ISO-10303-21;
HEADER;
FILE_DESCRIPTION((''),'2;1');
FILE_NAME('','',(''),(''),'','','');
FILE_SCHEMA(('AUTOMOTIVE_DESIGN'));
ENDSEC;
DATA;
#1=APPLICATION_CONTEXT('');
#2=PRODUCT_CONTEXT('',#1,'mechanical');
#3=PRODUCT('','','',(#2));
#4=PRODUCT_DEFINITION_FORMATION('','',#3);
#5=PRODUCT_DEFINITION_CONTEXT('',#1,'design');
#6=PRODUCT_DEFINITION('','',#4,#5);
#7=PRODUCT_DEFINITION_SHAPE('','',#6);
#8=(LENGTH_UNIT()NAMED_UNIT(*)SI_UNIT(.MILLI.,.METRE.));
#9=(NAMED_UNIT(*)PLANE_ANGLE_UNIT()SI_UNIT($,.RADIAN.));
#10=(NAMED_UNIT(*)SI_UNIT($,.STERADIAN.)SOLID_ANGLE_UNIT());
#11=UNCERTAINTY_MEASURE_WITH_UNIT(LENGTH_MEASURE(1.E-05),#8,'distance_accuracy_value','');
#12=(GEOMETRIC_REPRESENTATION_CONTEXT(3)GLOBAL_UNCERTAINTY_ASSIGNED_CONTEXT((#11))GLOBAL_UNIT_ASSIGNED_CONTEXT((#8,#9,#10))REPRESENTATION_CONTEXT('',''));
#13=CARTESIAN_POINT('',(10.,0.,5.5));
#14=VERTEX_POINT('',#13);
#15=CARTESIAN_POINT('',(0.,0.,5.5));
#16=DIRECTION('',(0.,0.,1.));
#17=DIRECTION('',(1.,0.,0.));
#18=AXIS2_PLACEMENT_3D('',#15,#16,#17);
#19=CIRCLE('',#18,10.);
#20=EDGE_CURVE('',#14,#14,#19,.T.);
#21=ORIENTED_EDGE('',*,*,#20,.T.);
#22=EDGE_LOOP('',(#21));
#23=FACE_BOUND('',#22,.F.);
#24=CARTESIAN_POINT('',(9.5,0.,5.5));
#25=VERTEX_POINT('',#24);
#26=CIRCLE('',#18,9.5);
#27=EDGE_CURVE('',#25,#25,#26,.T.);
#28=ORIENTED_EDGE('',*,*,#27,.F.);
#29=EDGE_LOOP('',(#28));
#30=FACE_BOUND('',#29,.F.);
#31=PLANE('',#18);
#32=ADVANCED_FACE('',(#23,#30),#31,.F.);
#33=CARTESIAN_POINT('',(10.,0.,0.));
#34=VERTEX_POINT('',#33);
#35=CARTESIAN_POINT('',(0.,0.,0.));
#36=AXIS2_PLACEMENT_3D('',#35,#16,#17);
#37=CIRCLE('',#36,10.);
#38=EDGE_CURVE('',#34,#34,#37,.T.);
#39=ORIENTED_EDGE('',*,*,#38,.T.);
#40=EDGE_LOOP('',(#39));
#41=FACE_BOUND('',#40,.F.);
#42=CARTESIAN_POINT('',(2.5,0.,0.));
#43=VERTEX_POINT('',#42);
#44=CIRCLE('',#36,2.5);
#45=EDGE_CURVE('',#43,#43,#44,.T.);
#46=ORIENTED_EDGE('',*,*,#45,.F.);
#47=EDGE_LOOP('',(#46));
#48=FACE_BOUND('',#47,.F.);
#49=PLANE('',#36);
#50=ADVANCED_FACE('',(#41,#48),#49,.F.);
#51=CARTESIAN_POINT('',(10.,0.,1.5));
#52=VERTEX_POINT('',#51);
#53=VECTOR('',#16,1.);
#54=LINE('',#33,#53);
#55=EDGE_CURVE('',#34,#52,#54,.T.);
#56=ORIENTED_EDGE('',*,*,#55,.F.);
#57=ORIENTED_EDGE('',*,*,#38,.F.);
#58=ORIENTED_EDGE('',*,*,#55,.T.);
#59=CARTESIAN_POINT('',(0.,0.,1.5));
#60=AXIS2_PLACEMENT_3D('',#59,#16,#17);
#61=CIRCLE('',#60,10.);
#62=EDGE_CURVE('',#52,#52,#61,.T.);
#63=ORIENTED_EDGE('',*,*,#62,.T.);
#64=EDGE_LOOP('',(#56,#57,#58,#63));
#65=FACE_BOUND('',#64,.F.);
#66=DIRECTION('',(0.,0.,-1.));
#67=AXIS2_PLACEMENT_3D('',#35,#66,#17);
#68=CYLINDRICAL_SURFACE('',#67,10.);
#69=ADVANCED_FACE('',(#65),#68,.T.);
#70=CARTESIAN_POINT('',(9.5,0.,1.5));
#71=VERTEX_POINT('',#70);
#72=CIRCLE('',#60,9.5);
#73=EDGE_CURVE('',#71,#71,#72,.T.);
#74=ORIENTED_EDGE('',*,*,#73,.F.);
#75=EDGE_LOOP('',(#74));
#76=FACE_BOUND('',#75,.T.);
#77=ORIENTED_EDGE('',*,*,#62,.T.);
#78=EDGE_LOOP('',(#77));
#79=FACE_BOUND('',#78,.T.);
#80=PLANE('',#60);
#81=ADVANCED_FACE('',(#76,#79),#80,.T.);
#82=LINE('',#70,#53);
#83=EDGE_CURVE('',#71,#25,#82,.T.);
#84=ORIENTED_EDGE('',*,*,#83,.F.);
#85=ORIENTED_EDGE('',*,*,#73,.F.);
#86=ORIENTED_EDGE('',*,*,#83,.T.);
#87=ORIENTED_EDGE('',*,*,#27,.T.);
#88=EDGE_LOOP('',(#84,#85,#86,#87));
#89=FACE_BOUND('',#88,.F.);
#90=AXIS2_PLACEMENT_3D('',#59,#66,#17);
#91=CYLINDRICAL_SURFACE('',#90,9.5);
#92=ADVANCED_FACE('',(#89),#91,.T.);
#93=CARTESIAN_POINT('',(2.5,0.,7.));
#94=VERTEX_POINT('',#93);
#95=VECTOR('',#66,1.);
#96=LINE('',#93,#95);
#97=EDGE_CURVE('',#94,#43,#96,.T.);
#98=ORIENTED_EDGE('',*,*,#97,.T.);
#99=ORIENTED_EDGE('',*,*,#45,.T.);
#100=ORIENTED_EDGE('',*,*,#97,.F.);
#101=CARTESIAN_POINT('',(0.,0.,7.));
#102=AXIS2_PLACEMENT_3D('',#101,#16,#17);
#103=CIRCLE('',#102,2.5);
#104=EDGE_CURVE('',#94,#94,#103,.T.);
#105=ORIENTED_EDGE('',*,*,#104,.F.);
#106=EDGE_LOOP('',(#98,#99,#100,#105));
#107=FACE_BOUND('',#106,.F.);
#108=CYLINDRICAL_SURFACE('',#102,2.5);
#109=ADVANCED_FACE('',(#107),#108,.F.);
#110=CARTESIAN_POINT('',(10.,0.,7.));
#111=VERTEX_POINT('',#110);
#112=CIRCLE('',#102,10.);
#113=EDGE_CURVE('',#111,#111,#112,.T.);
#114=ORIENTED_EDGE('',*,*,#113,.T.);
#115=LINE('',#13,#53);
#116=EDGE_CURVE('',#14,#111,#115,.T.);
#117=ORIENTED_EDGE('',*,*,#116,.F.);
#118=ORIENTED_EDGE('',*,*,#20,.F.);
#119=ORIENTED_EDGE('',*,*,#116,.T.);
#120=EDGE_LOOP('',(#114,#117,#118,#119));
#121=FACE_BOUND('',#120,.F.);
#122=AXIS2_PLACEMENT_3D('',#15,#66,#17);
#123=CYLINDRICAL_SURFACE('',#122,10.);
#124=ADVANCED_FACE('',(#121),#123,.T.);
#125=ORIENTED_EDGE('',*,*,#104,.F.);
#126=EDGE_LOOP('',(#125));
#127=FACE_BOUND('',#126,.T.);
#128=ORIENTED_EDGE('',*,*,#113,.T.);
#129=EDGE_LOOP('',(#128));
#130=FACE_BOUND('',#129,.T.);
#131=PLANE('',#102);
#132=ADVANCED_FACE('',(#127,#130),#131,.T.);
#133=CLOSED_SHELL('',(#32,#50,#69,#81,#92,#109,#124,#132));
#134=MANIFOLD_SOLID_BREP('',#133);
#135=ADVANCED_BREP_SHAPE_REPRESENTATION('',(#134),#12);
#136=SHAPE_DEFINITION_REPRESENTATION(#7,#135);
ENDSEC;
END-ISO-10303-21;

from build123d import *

# Parameters (mm, degrees)
SKETCH_R     = 10
PAD_DEPTH    = 1.5
SKETCH001_R  = 9.5
PAD001_DEPTH = 4
SKETCH002_R  = 10
PAD002_DEPTH = 1.5
SKETCH003_R  = 2.5
POCKET_DEPTH = 7.001


with BuildPart() as part:
    # Sketch → Pad (new body)
    with BuildSketch(Plane.XY):
        Circle(SKETCH_R)
    extrude(amount=PAD_DEPTH)

    # Sketch001 (on Face3 of Pad) → Pad001 (join)
    with BuildSketch(Plane.XY.offset(1.5)):
        Circle(SKETCH001_R)
    extrude(amount=PAD001_DEPTH)

    # Sketch002 (on Face5 of Pad001) → Pad002 (join)
    with BuildSketch(Plane.XY.offset(5.5)):
        Circle(SKETCH002_R)
    extrude(amount=PAD002_DEPTH)

    # Sketch003 (on Face3 of Pad002) → Pocket (cut, through all)
    with BuildSketch(Plane.XY.offset(7)):
        Circle(SKETCH003_R)
    extrude(amount=-POCKET_DEPTH, mode=Mode.SUBTRACT)


solid = part.part
